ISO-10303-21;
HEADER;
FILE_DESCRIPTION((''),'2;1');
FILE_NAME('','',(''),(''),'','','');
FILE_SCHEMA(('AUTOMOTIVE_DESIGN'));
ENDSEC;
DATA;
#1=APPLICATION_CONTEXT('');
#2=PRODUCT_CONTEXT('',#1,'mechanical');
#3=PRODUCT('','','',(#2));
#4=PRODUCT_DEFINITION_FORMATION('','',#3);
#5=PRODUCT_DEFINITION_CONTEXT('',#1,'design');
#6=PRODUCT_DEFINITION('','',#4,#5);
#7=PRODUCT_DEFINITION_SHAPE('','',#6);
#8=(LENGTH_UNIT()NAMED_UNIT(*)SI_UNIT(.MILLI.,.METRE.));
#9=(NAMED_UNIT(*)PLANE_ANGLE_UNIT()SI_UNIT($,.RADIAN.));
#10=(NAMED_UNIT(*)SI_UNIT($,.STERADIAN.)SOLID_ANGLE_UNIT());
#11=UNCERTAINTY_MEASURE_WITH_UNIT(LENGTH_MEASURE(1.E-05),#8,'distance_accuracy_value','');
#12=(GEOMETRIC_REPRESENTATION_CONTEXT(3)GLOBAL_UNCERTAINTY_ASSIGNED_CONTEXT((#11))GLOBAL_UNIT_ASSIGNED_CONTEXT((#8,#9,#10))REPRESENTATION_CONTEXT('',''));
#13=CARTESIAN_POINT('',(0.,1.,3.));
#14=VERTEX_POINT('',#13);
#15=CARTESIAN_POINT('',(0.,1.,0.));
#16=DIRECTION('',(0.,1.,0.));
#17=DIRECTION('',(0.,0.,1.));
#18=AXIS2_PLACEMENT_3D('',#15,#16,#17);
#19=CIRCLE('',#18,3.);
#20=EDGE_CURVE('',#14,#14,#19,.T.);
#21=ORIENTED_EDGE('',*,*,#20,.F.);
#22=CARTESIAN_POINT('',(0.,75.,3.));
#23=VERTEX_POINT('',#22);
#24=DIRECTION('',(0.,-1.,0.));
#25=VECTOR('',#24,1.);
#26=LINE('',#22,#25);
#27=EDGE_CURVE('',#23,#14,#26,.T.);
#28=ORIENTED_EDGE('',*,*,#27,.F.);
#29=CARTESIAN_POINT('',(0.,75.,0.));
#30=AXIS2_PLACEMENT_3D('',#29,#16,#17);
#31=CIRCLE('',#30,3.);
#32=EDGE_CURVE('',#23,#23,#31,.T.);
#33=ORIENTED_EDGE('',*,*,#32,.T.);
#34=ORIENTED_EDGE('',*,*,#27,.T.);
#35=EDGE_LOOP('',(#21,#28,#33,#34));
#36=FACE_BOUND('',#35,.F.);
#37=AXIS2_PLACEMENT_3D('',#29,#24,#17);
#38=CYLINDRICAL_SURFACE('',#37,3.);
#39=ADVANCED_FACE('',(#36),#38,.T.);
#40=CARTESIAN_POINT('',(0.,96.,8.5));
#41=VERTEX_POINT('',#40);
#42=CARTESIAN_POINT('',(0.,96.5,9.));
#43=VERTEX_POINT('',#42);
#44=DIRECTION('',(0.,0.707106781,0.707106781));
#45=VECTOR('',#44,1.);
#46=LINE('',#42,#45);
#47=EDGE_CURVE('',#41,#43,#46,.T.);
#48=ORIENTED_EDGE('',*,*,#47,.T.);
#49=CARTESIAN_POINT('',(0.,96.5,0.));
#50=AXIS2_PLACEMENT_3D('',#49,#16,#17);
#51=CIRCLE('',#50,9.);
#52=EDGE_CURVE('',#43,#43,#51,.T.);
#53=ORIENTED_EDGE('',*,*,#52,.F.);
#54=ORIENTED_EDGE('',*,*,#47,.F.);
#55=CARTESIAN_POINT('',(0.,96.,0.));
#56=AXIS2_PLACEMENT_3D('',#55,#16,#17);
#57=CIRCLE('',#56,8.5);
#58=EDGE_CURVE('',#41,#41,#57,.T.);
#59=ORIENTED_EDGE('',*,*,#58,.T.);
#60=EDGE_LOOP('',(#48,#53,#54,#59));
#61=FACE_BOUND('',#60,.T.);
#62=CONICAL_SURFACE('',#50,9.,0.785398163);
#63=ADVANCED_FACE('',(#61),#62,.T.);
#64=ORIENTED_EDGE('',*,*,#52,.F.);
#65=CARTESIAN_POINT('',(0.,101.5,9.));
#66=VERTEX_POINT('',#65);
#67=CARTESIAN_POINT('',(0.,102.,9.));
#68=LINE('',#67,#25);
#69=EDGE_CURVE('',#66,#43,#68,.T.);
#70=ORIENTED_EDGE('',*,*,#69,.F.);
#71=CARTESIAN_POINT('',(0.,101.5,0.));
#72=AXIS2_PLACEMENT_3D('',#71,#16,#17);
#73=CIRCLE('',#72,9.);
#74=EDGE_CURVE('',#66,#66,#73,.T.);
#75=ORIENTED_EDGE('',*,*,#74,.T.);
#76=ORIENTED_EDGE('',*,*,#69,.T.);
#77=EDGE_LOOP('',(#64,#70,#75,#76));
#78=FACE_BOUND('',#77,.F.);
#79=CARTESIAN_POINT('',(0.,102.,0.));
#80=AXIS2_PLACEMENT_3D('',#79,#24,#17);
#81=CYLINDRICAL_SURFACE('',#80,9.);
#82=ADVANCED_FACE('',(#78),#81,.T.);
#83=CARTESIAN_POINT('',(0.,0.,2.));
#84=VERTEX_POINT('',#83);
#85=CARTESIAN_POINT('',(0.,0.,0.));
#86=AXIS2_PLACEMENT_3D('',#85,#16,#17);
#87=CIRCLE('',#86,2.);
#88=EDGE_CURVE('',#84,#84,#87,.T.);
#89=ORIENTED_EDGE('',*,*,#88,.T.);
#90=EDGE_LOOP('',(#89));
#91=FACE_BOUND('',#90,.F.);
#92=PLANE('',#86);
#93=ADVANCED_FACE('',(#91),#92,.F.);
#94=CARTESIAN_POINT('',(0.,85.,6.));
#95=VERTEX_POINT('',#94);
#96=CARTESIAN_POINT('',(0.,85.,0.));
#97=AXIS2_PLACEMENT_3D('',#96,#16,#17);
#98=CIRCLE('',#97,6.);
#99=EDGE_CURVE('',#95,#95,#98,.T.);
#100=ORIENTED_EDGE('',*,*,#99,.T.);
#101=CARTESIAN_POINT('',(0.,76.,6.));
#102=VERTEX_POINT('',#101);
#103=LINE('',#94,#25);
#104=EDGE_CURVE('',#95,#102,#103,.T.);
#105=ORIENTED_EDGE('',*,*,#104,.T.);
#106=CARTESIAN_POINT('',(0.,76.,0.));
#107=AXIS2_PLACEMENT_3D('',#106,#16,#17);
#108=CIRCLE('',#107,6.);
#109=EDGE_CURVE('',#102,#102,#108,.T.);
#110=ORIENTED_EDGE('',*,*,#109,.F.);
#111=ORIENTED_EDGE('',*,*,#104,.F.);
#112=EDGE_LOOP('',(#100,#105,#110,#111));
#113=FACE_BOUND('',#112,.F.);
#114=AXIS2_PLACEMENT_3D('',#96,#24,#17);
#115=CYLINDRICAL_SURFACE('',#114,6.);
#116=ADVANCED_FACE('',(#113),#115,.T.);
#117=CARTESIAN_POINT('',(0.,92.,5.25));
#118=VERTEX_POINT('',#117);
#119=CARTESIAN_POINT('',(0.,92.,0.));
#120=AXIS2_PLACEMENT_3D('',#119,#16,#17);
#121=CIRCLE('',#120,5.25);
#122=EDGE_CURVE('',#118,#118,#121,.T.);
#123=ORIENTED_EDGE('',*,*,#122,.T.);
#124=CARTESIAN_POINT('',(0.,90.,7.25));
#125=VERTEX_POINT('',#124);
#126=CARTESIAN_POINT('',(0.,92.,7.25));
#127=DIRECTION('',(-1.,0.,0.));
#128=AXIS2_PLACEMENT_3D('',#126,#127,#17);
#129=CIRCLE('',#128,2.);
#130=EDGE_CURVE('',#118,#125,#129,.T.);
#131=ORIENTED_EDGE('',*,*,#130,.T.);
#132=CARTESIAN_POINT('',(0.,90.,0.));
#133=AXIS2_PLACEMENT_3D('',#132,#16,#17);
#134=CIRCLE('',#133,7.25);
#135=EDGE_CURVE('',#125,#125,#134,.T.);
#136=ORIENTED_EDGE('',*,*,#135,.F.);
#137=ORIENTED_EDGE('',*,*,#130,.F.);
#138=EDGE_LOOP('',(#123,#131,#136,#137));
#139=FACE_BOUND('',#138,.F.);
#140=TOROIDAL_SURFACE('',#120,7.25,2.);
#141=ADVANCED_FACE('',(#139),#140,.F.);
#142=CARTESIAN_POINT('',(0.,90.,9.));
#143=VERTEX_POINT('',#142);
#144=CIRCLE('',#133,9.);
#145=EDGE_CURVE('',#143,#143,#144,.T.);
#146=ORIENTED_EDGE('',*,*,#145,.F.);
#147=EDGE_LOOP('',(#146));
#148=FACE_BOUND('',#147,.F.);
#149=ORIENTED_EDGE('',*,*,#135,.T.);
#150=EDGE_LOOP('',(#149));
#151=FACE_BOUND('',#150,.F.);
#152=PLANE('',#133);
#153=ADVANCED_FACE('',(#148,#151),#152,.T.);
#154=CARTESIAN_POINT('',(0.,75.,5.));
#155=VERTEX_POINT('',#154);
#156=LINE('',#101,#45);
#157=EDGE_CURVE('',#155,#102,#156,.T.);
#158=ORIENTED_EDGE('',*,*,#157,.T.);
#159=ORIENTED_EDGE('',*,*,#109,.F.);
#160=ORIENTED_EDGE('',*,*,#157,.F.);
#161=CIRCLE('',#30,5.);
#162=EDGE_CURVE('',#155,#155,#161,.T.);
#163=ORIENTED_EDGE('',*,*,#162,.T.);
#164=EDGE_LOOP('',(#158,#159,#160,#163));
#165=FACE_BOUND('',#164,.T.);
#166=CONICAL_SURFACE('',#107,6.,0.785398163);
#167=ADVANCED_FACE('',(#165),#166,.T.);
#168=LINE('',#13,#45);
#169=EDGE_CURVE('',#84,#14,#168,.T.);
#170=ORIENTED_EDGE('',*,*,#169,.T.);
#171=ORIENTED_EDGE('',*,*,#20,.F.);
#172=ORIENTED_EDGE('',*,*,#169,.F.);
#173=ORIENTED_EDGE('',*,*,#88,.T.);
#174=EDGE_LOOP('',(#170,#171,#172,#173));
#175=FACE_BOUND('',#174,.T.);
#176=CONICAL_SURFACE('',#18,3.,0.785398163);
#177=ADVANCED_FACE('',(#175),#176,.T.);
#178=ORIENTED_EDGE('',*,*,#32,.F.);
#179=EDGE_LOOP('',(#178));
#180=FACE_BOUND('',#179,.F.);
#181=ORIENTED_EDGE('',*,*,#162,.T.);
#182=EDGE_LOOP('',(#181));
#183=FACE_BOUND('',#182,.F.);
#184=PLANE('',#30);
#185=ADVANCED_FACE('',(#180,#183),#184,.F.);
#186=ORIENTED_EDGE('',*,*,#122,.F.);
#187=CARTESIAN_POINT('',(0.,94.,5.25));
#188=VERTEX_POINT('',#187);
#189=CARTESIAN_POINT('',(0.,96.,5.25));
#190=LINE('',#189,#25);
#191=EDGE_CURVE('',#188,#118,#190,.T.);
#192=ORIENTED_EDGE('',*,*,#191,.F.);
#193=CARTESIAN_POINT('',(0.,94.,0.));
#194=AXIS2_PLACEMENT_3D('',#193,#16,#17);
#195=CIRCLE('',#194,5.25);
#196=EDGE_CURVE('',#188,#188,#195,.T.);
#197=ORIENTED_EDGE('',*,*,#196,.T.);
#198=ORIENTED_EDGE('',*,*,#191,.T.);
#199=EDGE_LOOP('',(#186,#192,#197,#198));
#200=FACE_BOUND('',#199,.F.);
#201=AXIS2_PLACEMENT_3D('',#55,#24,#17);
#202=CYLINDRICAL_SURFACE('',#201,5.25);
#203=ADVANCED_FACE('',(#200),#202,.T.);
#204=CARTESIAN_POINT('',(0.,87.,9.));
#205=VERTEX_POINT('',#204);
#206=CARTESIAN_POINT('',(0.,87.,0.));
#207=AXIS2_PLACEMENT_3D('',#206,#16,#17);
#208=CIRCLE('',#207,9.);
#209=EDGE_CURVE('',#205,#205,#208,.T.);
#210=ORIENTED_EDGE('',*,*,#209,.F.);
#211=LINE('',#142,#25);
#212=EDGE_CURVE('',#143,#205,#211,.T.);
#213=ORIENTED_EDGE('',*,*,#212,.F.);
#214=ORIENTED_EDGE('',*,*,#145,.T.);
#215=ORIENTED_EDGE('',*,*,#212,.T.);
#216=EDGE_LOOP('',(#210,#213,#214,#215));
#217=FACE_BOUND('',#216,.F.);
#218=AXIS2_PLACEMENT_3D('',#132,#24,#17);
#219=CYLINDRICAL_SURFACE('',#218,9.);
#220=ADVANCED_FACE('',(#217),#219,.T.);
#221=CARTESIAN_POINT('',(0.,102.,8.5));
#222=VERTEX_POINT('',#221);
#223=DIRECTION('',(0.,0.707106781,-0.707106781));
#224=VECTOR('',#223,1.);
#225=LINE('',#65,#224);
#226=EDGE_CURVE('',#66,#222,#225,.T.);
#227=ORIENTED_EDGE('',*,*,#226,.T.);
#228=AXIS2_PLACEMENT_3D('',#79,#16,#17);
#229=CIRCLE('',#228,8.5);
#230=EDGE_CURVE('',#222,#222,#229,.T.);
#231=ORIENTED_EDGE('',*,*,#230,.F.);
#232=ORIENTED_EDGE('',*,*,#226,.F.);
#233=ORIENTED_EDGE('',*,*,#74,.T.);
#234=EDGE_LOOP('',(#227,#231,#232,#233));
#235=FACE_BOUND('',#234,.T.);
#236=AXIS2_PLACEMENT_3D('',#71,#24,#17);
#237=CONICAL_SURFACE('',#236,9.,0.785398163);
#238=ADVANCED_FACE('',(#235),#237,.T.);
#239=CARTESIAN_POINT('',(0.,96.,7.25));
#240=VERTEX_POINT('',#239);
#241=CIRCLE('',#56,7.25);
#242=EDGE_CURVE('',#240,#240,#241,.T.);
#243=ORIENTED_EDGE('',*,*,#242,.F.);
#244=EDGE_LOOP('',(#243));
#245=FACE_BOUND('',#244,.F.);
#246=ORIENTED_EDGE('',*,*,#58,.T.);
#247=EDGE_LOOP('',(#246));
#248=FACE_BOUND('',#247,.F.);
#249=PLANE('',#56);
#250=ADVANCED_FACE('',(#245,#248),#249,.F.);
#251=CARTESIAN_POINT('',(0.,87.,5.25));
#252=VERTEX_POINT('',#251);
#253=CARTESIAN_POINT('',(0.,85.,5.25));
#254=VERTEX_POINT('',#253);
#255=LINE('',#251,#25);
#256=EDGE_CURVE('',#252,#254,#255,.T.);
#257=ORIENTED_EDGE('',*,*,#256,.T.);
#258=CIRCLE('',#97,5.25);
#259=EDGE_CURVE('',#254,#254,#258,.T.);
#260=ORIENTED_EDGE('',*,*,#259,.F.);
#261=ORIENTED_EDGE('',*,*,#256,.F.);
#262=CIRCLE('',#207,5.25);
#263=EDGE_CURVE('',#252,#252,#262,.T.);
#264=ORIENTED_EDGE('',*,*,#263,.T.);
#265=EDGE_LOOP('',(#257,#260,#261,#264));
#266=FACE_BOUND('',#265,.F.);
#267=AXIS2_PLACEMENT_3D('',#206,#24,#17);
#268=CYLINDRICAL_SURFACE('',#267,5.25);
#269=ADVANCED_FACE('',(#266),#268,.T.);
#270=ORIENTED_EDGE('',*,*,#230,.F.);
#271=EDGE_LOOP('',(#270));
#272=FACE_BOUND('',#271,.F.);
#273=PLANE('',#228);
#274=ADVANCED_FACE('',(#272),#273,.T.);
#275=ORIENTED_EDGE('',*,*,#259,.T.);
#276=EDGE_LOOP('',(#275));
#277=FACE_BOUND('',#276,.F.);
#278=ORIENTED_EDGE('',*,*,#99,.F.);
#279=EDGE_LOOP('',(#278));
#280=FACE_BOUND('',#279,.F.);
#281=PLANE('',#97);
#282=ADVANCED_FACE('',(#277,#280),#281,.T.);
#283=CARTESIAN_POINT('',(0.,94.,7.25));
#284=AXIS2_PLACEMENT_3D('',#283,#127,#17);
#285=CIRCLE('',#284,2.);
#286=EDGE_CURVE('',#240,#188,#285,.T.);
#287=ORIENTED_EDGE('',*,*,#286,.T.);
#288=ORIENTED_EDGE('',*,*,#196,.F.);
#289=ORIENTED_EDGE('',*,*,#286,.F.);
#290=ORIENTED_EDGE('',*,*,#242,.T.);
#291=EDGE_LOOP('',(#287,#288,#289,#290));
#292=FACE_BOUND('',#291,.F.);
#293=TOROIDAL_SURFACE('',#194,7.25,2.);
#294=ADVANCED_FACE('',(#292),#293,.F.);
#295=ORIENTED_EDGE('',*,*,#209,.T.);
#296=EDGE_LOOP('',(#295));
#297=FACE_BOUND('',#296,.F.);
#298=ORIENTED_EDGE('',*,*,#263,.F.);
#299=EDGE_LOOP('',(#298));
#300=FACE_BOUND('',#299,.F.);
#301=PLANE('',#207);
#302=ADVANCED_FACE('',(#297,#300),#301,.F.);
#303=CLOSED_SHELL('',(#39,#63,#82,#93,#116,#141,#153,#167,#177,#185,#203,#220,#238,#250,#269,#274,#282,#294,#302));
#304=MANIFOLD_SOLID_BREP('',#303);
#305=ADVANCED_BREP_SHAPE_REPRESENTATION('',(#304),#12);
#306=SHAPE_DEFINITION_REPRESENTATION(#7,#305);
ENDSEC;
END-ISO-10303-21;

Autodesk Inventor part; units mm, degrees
ref_plane "YZ Plane" through (0, 0, 0) normal (1, 0, 0) x (0, 1, 0)
ref_plane "XZ Plane" through (0, 0, 0) normal (0, 1, 0) x (-1, 0, 0)
ref_plane "XY Plane" through (0, 0, 0) normal (0, 0, 1) x (1, 0, 0)
sketch "Sketch1" plane through (0, 0, 0) normal (1, 0, 0) x (0, 1, 0)
  line L0 (0, 0) -> (104.5, 0)
  line L1 (0, 0) -> (75, 0)
  line L2 (75, 0) -> (75, 3)
  line L3 (75, 3) -> (0, 3)
  line L4 (0, 3) -> (0, 0)
  line L5 (75, 0) -> (85, 0)
  line L6 (85, 0) -> (85, 6)
  line L7 (85, 6) -> (75, 6)
  line L8 (75, 6) -> (75, 0)
  line L9 (85, 0) -> (87, 0)
  line L10 (87, 0) -> (87, 5.25)
  line L11 (87, 5.25) -> (85, 5.25)
  line L12 (85, 5.25) -> (85, 0)
  line L13 (87, 0) -> (90, 0)
  line L14 (90, 0) -> (90, 9)
  line L15 (90, 9) -> (87, 9)
  line L16 (87, 9) -> (87, 0)
  line L17 (90, 0) -> (96, 0)
  line L18 (96, 0) -> (96, 5.25)
  line L19 (96, 5.25) -> (90, 5.25)
  line L20 (90, 5.25) -> (90, 0)
  line L21 (96, 0) -> (102, 0)
  line L22 (102, 0) -> (102, 9)
  line L23 (102, 9) -> (96, 9)
  line L24 (96, 9) -> (96, 0)
  point P0 (102, 2.5)
  dimension "d0" = 6
  dimension "d2" = 12
  dimension "d3" = 10
  dimension "d5" = 2
  dimension "d6" = 75
  dimension "d7" = 10.5
  dimension "d8" = 18
  dimension "d9" = 3
  dimension "d10" = 6
  dimension "d11" = 6
revolve "Revolution1" add sketch "Sketch1" angle 360 about axis through (0, 0, 0) along (0, 1, 0)
chamfer "Chamfer1" distance 1 angle 45 1 edges at (0, 0, -3)
chamfer "Chamfer2" distance 1 angle 45 1 edges at (0, 75, -6)
chamfer "Chamfer4" distance 0.5 angle 45 2 edges at (0, 102, -9) (0, 96, -9)
fillet "Fillet1" radius 2 2 edges at (0, 90, -5.25) (0, 96, -5.25)
thread "Thread1" size "M12x0.5" class "6g" standard "ISO Metric profile" full length
properties part number "05_Que_tham_dau"
